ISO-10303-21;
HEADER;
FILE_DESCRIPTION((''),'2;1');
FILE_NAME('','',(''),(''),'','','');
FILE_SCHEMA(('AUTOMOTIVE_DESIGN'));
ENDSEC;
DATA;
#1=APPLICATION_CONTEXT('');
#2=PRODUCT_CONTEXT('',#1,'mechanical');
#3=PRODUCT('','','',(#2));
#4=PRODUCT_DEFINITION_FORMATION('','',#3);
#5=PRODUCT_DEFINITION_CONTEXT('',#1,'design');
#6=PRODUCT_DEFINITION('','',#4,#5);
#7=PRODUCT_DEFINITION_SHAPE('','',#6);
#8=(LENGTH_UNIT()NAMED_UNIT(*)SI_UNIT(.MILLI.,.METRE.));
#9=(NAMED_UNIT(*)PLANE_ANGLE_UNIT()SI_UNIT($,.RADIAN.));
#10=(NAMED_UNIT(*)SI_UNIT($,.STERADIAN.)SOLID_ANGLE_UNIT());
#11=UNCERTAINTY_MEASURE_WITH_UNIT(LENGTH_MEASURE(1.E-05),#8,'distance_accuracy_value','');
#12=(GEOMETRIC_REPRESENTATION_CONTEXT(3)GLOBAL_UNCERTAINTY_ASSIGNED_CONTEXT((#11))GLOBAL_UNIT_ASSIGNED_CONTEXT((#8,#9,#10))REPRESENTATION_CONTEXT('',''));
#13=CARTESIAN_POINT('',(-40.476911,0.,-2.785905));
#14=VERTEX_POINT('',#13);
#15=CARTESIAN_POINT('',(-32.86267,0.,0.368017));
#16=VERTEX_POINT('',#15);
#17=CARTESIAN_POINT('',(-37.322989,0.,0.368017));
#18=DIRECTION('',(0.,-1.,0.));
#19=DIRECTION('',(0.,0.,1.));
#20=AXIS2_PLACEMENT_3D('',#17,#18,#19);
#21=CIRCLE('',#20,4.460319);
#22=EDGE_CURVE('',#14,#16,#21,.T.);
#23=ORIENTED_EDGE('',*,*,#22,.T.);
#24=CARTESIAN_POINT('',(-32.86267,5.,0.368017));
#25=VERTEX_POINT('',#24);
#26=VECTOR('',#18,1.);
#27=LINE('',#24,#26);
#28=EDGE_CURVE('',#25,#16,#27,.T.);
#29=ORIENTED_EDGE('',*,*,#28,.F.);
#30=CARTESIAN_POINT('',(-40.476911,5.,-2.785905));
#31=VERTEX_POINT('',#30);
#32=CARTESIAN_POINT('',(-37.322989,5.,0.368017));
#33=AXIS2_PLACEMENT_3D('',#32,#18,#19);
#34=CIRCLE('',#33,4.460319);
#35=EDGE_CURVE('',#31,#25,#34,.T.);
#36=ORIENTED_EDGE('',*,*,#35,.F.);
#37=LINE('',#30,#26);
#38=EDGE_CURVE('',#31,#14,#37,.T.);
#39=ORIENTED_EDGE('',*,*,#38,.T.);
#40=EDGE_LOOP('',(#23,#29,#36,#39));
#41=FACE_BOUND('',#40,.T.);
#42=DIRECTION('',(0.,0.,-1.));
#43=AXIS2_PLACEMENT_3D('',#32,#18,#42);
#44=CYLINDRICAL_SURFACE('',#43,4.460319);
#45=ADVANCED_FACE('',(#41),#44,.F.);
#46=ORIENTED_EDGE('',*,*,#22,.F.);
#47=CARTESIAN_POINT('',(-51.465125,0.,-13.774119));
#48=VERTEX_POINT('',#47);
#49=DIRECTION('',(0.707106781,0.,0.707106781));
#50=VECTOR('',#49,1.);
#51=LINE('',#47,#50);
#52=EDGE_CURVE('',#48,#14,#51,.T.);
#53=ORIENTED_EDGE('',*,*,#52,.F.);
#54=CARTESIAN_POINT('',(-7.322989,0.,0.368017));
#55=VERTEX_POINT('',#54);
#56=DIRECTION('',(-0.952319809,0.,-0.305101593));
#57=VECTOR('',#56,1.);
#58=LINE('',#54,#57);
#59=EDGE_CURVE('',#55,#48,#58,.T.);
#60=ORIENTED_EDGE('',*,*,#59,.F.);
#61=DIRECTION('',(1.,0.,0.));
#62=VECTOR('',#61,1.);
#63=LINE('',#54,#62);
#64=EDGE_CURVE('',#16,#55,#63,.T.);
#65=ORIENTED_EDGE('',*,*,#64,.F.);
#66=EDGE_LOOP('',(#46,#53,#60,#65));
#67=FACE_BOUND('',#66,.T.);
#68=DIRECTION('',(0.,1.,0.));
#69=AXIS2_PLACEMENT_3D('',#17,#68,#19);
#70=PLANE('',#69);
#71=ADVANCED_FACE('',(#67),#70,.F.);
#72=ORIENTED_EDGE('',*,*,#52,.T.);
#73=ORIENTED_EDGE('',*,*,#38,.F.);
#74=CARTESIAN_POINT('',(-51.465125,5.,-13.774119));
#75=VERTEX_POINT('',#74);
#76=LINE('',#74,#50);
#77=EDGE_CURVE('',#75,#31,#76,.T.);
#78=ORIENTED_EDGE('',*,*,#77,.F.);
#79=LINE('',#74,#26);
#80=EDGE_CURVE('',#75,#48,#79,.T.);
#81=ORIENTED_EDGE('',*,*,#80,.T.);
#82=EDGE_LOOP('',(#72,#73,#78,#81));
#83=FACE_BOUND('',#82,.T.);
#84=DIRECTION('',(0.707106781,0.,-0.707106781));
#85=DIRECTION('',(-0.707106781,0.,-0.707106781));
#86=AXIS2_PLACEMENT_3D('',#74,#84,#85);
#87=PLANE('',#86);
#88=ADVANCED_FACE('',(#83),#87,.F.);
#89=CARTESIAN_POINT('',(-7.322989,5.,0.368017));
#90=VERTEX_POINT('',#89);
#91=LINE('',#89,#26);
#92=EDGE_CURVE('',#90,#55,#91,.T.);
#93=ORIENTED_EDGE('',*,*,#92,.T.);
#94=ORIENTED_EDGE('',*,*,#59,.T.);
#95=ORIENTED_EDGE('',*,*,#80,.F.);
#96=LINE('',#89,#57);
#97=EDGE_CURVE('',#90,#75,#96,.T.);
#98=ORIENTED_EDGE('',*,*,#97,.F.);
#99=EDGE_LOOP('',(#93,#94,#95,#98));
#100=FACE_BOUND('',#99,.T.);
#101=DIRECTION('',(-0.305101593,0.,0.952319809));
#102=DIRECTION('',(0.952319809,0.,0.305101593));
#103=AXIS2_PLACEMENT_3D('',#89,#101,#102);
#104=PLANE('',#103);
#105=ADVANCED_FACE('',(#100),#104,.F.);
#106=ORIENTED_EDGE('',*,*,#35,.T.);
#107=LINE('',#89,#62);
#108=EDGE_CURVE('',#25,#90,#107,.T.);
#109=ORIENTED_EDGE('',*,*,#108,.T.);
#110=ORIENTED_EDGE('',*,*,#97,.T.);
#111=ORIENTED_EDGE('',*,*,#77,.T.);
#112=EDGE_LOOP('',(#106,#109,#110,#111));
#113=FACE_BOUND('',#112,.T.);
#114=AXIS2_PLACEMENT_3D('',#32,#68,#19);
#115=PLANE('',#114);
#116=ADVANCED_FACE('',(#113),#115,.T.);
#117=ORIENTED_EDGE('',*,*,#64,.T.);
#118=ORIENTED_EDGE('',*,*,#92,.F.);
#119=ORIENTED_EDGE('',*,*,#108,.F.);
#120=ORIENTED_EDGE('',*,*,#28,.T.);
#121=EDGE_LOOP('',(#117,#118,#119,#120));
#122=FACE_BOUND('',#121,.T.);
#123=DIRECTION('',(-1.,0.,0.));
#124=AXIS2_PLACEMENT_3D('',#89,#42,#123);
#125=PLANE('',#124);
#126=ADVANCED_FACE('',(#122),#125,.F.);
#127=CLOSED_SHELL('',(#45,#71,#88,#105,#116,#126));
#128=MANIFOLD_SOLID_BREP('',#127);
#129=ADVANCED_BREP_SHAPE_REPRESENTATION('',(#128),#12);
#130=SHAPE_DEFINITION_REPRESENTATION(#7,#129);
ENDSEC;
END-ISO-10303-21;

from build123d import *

# Parameters (mm, degrees)
BOSS_EXTRUDE1_DEPTH = 5


with BuildPart() as part:
    # Sketch1 → Boss-Extrude1 (new body)
    with BuildSketch(Plane(origin=(0, 0, 0), x_dir=(1, 0, 0), z_dir=(0, 1, 0))):
        with BuildLine():
            Line((-7.322989036, -0.368016894), (-32.862670249, -0.368016894))
            ThreePointArc((-32.862670249, -0.368016894), (-35.616098933, 3.752780342), (-40.476910696, 2.785904767))
            Line((-40.476910696, 2.785904767), (-51.46512466, 13.77411873))
            Line((-51.46512466, 13.77411873), (-7.322989036, -0.368016894))
        make_face()
    extrude(amount=BOSS_EXTRUDE1_DEPTH)


solid = part.part
